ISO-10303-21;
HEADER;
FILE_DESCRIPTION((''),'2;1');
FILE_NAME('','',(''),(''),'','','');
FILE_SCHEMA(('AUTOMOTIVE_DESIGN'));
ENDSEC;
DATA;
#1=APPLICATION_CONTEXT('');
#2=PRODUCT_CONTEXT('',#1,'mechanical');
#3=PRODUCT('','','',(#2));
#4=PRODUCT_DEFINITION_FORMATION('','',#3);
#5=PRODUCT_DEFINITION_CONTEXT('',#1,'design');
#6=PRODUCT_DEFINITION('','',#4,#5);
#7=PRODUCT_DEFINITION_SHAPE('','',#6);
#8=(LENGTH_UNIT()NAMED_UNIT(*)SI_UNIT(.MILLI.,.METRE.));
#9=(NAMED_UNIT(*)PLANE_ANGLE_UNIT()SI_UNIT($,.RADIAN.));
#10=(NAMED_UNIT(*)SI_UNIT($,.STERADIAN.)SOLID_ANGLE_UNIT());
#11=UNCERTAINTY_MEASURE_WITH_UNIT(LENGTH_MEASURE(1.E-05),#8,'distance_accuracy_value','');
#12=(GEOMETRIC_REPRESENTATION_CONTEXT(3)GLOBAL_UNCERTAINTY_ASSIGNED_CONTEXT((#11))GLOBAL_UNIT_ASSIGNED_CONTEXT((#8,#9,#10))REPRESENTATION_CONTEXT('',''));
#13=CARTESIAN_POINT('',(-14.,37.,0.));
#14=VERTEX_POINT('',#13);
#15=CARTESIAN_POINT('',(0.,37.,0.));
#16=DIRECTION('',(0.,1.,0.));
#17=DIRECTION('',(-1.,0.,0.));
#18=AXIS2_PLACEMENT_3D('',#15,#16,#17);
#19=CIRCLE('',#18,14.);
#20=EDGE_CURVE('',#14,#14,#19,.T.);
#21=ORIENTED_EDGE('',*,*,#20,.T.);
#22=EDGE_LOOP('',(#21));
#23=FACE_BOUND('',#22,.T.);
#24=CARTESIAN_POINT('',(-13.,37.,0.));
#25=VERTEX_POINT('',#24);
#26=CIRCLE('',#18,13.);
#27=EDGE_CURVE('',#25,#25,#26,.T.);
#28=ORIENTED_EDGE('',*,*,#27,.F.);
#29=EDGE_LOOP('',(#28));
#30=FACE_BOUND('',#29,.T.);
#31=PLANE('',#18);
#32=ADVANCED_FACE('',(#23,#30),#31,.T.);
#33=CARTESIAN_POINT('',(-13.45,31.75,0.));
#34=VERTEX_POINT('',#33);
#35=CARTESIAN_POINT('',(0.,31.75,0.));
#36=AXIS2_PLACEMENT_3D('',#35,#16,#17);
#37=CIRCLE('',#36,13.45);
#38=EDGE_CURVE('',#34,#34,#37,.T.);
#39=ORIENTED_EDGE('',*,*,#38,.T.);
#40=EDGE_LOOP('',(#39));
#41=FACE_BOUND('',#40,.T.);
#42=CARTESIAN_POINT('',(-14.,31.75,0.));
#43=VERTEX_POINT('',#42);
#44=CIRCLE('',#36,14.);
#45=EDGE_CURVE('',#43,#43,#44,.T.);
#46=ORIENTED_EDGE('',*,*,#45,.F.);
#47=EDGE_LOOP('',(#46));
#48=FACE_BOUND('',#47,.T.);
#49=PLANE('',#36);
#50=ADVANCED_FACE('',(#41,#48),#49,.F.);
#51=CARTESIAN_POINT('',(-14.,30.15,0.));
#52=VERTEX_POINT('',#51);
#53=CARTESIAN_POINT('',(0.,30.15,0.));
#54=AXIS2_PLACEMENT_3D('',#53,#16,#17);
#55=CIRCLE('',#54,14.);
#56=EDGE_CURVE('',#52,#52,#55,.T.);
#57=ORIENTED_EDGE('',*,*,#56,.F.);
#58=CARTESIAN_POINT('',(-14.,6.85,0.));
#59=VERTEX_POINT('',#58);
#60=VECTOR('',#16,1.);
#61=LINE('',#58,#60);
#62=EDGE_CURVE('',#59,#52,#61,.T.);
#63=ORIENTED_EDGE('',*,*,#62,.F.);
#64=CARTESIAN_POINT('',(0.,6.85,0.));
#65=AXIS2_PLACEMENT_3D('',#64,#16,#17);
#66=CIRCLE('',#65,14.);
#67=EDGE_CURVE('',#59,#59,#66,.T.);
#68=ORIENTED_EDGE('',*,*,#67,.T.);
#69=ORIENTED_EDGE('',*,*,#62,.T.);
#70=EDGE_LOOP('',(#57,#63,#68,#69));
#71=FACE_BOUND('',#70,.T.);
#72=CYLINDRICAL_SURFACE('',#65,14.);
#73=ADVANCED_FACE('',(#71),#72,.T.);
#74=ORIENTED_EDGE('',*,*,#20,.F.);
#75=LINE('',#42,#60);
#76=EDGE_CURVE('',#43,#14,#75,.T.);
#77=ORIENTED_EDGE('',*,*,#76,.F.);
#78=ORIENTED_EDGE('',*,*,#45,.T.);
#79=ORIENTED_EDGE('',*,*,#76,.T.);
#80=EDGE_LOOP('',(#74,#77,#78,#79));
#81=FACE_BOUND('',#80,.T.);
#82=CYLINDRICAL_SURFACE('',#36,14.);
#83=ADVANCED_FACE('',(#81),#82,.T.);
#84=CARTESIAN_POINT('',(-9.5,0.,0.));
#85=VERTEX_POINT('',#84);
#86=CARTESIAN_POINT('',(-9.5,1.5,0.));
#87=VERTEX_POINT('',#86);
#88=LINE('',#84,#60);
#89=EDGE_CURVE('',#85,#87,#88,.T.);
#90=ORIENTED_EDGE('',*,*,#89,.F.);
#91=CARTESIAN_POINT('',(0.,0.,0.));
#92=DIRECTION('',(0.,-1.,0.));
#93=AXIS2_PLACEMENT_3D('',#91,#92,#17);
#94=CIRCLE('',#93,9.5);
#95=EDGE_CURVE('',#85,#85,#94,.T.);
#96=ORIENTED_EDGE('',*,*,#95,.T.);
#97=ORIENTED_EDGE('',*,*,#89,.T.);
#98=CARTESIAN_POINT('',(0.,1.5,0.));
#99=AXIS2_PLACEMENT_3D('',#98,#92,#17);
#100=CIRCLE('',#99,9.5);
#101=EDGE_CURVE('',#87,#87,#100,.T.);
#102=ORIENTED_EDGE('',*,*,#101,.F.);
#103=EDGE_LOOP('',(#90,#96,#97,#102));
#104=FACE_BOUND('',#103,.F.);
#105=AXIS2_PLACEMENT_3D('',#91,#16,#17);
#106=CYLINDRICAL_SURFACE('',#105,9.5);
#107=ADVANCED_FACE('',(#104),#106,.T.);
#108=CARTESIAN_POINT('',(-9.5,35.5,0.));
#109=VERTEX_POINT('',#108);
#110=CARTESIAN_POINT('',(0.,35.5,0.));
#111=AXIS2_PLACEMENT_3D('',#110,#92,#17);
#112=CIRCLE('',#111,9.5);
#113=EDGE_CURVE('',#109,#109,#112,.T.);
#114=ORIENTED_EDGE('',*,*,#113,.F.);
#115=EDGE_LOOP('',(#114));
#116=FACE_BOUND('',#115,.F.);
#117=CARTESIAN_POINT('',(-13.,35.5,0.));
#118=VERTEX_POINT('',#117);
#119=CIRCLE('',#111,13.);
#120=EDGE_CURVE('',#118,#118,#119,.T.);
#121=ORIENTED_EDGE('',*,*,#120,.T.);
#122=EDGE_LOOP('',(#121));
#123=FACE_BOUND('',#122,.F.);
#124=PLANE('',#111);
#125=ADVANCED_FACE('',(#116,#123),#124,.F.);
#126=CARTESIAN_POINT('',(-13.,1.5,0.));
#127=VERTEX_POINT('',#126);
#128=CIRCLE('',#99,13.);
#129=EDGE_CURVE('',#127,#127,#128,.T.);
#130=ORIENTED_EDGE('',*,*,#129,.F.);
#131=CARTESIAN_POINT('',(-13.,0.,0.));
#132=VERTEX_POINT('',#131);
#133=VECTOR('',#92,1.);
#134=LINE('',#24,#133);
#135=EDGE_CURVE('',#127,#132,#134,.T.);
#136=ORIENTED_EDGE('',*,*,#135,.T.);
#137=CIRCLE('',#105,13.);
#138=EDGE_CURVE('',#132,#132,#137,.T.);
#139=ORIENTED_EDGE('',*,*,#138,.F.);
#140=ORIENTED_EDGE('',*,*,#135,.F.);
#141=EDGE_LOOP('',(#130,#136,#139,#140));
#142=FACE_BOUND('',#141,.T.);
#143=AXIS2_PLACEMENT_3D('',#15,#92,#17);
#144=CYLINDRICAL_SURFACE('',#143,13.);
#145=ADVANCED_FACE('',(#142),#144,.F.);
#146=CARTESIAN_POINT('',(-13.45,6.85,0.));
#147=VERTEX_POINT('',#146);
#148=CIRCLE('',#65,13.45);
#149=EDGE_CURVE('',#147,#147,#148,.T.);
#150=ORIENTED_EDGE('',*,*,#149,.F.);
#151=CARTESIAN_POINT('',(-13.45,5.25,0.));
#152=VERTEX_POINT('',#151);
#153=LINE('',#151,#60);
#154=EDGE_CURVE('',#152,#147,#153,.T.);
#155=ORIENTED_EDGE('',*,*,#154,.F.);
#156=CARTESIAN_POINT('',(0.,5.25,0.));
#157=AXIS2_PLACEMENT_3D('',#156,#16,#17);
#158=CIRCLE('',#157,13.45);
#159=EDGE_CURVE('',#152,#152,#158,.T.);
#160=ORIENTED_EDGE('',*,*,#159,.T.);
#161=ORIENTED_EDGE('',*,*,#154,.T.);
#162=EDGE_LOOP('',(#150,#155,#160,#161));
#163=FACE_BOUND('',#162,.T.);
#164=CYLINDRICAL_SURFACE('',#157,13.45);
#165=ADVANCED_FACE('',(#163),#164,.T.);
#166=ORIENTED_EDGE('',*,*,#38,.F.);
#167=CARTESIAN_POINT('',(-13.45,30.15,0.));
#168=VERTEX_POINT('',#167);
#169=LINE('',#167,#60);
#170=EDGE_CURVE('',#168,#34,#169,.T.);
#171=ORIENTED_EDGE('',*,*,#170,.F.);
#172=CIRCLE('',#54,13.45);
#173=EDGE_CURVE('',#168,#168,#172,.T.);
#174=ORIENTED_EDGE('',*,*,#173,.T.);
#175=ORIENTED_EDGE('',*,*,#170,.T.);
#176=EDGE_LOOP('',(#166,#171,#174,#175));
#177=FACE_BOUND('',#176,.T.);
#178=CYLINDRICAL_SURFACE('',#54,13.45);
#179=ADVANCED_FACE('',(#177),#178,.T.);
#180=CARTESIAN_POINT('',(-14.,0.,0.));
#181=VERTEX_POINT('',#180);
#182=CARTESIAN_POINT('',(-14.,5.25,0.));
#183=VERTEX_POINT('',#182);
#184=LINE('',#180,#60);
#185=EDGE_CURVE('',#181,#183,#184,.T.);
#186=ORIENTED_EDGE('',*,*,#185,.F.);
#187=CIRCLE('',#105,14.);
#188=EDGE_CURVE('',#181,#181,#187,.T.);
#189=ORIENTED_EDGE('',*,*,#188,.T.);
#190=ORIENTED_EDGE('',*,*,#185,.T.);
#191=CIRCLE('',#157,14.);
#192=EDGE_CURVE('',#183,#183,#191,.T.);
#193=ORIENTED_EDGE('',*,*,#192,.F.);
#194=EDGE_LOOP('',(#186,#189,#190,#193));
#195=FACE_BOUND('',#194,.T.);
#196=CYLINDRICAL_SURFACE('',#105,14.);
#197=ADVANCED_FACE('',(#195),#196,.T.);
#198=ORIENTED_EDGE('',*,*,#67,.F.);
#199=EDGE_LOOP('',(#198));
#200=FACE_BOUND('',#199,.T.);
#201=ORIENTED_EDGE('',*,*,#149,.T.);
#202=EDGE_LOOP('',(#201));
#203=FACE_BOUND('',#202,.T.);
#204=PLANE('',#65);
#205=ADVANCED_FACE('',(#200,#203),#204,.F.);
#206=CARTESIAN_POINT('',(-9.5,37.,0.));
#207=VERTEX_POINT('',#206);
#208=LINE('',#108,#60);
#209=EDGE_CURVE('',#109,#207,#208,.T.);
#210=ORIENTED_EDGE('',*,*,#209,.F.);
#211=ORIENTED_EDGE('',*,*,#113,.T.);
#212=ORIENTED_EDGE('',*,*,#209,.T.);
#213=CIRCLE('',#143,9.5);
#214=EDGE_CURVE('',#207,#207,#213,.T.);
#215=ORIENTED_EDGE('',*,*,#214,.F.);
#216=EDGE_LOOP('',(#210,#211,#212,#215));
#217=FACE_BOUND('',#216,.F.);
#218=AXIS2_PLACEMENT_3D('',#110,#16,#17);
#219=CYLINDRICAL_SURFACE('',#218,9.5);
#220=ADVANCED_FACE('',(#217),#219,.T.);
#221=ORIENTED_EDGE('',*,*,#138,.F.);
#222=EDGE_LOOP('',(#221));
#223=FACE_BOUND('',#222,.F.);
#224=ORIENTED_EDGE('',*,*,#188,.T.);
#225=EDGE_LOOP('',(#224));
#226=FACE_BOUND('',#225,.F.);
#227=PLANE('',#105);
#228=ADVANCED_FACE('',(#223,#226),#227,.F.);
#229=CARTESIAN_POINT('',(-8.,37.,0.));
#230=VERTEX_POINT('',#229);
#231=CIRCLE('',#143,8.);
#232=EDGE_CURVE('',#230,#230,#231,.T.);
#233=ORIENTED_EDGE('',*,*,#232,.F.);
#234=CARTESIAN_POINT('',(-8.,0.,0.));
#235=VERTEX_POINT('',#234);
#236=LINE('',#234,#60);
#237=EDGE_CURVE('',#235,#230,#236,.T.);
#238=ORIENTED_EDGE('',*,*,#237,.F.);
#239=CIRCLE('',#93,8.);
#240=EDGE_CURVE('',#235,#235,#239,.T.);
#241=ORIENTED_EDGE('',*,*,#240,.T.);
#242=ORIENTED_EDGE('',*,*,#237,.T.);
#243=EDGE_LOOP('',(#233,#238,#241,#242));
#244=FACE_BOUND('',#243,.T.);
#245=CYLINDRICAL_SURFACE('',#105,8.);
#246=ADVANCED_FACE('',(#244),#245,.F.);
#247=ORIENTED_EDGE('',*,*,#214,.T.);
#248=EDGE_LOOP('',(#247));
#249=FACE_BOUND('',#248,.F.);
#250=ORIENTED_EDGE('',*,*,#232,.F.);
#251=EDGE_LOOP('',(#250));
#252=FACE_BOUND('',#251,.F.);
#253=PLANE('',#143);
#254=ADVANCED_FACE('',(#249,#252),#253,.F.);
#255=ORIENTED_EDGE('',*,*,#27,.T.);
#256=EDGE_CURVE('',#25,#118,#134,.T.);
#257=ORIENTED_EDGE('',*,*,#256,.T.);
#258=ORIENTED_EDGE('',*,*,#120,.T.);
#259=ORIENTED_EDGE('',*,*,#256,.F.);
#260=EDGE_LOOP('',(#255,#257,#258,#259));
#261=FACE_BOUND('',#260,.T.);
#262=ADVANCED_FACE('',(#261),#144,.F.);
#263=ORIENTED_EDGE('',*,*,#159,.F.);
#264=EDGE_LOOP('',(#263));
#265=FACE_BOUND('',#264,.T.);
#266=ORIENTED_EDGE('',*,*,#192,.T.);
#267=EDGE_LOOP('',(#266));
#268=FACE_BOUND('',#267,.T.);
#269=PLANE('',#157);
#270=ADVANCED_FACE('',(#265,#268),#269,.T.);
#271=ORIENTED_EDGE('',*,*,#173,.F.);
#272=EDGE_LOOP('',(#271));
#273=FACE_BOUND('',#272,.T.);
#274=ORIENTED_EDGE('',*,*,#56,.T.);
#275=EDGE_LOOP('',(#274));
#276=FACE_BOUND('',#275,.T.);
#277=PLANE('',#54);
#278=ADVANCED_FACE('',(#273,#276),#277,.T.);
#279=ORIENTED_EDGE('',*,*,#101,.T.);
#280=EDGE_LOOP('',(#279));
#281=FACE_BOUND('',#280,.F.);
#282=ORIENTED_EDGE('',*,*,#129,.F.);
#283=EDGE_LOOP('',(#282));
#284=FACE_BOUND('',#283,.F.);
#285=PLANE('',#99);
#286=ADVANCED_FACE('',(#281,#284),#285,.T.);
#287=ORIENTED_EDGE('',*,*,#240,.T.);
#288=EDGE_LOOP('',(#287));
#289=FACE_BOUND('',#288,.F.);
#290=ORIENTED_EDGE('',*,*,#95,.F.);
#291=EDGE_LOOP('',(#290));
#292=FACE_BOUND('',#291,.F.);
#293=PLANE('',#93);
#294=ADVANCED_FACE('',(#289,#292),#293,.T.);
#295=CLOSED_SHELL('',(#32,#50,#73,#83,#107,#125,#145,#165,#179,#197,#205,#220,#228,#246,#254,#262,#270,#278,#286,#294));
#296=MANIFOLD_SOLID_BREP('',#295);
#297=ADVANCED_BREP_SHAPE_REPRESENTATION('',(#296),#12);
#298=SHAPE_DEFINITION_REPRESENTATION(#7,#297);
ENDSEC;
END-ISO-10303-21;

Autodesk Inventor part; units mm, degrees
ref_plane "YZ Plane" through (0, 0, 0) normal (1, 0, 0) x (0, 1, 0)
ref_plane "XZ Plane" through (0, 0, 0) normal (0, 1, 0) x (-1, 0, 0)
ref_plane "XY Plane" through (0, 0, 0) normal (0, 0, 1) x (1, 0, 0)
sketch "Esboço1" plane through (0, 0, 0) normal (0, 0, 1) x (1, 0, 0)
  line L0 (-14, 0) -> (-14, 5.25)
  line L1 (-14, 5.25) -> (-13.45, 5.25)
  line L2 (-13.45, 5.25) -> (-13.45, 6.85)
  line L3 (-13.45, 6.85) -> (-14, 6.85)
  line L4 (-14, 6.85) -> (-14, 30.15)
  line L5 (-14, 30.15) -> (-13.45, 30.15)
  line L6 (-13.45, 30.15) -> (-13.45, 31.75)
  line L7 (-13.45, 31.75) -> (-14, 31.75)
  line L8 (-14, 31.75) -> (-14, 37)
  line L9 (-14, 37) -> (-13, 37)
  line L10 (-14, 0) -> (-13, 0)
  line L11 (-13, 0) -> (0, 0) construction
  line L12 (0, 0) -> (0, 37) construction
  line L13 (0, 37) -> (-13, 37) construction
  line L14 (-13, 37) -> (-13, 0)
  dimension "d0" = 13
  dimension "d1" = 37
  dimension "d4" = 0.55
  dimension "d5" = 1.6
  dimension "d6" = 1.6
  dimension "d8" = 1
  dimension "d26" = 26.5
  dimension "d27" = 5.25
sketch "Esboço3" plane through (0, 0, 0) normal (0, 0, 1) x (1, 0, 0)
  line L0 (0, 37) -> (0, 0) construction
  line L1 (0, 37) -> (0, 35.5) construction
  line L2 (0, 0) -> (0, 1.5) construction
  line L3 (-8, 0) -> (-8, 37)
  line L4 (-8, 0) -> (-9.5, 0)
  line L5 (-9.5, 37) -> (-8, 37)
  line L6 (-9.5, 1.5) -> (-13, 1.5)
  line L7 (-13, 1.5) -> (-13, 35.5)
  line L8 (-13, 35.5) -> (-9.5, 35.5)
  line L9 (-9.5, 0) -> (-9.5, 1.5)
  line L10 (-9.5, 35.5) -> (-9.5, 37)
  dimension "d28" = 37
  dimension "d30" = 8
  dimension "d31" = 34
  dimension "d32" = 37
  dimension "d33" = 1.5
  dimension "d34" = 5
  dimension "d36" = 1.5
  dimension "d37" = 1.5
revolve "Revolução1" add sketch "Esboço3" angle 360 about axis through (0, 37, 0) along (0, -1, 0)
revolve "Revolução2" add sketch "Esboço1" angle 360 about axis through (0, 0, 0) along (0, 1, 0)
equation "\"d33\" = -0.5 * d31 + 0.5 * d32"
equation "\"d37\" = d36"
equation "\"d6\" = d5"
equation "\"d27\" = -0.5 * d26 + 0.5 * d1"
properties part number "rolamento_linear_lm16uu.iam"
